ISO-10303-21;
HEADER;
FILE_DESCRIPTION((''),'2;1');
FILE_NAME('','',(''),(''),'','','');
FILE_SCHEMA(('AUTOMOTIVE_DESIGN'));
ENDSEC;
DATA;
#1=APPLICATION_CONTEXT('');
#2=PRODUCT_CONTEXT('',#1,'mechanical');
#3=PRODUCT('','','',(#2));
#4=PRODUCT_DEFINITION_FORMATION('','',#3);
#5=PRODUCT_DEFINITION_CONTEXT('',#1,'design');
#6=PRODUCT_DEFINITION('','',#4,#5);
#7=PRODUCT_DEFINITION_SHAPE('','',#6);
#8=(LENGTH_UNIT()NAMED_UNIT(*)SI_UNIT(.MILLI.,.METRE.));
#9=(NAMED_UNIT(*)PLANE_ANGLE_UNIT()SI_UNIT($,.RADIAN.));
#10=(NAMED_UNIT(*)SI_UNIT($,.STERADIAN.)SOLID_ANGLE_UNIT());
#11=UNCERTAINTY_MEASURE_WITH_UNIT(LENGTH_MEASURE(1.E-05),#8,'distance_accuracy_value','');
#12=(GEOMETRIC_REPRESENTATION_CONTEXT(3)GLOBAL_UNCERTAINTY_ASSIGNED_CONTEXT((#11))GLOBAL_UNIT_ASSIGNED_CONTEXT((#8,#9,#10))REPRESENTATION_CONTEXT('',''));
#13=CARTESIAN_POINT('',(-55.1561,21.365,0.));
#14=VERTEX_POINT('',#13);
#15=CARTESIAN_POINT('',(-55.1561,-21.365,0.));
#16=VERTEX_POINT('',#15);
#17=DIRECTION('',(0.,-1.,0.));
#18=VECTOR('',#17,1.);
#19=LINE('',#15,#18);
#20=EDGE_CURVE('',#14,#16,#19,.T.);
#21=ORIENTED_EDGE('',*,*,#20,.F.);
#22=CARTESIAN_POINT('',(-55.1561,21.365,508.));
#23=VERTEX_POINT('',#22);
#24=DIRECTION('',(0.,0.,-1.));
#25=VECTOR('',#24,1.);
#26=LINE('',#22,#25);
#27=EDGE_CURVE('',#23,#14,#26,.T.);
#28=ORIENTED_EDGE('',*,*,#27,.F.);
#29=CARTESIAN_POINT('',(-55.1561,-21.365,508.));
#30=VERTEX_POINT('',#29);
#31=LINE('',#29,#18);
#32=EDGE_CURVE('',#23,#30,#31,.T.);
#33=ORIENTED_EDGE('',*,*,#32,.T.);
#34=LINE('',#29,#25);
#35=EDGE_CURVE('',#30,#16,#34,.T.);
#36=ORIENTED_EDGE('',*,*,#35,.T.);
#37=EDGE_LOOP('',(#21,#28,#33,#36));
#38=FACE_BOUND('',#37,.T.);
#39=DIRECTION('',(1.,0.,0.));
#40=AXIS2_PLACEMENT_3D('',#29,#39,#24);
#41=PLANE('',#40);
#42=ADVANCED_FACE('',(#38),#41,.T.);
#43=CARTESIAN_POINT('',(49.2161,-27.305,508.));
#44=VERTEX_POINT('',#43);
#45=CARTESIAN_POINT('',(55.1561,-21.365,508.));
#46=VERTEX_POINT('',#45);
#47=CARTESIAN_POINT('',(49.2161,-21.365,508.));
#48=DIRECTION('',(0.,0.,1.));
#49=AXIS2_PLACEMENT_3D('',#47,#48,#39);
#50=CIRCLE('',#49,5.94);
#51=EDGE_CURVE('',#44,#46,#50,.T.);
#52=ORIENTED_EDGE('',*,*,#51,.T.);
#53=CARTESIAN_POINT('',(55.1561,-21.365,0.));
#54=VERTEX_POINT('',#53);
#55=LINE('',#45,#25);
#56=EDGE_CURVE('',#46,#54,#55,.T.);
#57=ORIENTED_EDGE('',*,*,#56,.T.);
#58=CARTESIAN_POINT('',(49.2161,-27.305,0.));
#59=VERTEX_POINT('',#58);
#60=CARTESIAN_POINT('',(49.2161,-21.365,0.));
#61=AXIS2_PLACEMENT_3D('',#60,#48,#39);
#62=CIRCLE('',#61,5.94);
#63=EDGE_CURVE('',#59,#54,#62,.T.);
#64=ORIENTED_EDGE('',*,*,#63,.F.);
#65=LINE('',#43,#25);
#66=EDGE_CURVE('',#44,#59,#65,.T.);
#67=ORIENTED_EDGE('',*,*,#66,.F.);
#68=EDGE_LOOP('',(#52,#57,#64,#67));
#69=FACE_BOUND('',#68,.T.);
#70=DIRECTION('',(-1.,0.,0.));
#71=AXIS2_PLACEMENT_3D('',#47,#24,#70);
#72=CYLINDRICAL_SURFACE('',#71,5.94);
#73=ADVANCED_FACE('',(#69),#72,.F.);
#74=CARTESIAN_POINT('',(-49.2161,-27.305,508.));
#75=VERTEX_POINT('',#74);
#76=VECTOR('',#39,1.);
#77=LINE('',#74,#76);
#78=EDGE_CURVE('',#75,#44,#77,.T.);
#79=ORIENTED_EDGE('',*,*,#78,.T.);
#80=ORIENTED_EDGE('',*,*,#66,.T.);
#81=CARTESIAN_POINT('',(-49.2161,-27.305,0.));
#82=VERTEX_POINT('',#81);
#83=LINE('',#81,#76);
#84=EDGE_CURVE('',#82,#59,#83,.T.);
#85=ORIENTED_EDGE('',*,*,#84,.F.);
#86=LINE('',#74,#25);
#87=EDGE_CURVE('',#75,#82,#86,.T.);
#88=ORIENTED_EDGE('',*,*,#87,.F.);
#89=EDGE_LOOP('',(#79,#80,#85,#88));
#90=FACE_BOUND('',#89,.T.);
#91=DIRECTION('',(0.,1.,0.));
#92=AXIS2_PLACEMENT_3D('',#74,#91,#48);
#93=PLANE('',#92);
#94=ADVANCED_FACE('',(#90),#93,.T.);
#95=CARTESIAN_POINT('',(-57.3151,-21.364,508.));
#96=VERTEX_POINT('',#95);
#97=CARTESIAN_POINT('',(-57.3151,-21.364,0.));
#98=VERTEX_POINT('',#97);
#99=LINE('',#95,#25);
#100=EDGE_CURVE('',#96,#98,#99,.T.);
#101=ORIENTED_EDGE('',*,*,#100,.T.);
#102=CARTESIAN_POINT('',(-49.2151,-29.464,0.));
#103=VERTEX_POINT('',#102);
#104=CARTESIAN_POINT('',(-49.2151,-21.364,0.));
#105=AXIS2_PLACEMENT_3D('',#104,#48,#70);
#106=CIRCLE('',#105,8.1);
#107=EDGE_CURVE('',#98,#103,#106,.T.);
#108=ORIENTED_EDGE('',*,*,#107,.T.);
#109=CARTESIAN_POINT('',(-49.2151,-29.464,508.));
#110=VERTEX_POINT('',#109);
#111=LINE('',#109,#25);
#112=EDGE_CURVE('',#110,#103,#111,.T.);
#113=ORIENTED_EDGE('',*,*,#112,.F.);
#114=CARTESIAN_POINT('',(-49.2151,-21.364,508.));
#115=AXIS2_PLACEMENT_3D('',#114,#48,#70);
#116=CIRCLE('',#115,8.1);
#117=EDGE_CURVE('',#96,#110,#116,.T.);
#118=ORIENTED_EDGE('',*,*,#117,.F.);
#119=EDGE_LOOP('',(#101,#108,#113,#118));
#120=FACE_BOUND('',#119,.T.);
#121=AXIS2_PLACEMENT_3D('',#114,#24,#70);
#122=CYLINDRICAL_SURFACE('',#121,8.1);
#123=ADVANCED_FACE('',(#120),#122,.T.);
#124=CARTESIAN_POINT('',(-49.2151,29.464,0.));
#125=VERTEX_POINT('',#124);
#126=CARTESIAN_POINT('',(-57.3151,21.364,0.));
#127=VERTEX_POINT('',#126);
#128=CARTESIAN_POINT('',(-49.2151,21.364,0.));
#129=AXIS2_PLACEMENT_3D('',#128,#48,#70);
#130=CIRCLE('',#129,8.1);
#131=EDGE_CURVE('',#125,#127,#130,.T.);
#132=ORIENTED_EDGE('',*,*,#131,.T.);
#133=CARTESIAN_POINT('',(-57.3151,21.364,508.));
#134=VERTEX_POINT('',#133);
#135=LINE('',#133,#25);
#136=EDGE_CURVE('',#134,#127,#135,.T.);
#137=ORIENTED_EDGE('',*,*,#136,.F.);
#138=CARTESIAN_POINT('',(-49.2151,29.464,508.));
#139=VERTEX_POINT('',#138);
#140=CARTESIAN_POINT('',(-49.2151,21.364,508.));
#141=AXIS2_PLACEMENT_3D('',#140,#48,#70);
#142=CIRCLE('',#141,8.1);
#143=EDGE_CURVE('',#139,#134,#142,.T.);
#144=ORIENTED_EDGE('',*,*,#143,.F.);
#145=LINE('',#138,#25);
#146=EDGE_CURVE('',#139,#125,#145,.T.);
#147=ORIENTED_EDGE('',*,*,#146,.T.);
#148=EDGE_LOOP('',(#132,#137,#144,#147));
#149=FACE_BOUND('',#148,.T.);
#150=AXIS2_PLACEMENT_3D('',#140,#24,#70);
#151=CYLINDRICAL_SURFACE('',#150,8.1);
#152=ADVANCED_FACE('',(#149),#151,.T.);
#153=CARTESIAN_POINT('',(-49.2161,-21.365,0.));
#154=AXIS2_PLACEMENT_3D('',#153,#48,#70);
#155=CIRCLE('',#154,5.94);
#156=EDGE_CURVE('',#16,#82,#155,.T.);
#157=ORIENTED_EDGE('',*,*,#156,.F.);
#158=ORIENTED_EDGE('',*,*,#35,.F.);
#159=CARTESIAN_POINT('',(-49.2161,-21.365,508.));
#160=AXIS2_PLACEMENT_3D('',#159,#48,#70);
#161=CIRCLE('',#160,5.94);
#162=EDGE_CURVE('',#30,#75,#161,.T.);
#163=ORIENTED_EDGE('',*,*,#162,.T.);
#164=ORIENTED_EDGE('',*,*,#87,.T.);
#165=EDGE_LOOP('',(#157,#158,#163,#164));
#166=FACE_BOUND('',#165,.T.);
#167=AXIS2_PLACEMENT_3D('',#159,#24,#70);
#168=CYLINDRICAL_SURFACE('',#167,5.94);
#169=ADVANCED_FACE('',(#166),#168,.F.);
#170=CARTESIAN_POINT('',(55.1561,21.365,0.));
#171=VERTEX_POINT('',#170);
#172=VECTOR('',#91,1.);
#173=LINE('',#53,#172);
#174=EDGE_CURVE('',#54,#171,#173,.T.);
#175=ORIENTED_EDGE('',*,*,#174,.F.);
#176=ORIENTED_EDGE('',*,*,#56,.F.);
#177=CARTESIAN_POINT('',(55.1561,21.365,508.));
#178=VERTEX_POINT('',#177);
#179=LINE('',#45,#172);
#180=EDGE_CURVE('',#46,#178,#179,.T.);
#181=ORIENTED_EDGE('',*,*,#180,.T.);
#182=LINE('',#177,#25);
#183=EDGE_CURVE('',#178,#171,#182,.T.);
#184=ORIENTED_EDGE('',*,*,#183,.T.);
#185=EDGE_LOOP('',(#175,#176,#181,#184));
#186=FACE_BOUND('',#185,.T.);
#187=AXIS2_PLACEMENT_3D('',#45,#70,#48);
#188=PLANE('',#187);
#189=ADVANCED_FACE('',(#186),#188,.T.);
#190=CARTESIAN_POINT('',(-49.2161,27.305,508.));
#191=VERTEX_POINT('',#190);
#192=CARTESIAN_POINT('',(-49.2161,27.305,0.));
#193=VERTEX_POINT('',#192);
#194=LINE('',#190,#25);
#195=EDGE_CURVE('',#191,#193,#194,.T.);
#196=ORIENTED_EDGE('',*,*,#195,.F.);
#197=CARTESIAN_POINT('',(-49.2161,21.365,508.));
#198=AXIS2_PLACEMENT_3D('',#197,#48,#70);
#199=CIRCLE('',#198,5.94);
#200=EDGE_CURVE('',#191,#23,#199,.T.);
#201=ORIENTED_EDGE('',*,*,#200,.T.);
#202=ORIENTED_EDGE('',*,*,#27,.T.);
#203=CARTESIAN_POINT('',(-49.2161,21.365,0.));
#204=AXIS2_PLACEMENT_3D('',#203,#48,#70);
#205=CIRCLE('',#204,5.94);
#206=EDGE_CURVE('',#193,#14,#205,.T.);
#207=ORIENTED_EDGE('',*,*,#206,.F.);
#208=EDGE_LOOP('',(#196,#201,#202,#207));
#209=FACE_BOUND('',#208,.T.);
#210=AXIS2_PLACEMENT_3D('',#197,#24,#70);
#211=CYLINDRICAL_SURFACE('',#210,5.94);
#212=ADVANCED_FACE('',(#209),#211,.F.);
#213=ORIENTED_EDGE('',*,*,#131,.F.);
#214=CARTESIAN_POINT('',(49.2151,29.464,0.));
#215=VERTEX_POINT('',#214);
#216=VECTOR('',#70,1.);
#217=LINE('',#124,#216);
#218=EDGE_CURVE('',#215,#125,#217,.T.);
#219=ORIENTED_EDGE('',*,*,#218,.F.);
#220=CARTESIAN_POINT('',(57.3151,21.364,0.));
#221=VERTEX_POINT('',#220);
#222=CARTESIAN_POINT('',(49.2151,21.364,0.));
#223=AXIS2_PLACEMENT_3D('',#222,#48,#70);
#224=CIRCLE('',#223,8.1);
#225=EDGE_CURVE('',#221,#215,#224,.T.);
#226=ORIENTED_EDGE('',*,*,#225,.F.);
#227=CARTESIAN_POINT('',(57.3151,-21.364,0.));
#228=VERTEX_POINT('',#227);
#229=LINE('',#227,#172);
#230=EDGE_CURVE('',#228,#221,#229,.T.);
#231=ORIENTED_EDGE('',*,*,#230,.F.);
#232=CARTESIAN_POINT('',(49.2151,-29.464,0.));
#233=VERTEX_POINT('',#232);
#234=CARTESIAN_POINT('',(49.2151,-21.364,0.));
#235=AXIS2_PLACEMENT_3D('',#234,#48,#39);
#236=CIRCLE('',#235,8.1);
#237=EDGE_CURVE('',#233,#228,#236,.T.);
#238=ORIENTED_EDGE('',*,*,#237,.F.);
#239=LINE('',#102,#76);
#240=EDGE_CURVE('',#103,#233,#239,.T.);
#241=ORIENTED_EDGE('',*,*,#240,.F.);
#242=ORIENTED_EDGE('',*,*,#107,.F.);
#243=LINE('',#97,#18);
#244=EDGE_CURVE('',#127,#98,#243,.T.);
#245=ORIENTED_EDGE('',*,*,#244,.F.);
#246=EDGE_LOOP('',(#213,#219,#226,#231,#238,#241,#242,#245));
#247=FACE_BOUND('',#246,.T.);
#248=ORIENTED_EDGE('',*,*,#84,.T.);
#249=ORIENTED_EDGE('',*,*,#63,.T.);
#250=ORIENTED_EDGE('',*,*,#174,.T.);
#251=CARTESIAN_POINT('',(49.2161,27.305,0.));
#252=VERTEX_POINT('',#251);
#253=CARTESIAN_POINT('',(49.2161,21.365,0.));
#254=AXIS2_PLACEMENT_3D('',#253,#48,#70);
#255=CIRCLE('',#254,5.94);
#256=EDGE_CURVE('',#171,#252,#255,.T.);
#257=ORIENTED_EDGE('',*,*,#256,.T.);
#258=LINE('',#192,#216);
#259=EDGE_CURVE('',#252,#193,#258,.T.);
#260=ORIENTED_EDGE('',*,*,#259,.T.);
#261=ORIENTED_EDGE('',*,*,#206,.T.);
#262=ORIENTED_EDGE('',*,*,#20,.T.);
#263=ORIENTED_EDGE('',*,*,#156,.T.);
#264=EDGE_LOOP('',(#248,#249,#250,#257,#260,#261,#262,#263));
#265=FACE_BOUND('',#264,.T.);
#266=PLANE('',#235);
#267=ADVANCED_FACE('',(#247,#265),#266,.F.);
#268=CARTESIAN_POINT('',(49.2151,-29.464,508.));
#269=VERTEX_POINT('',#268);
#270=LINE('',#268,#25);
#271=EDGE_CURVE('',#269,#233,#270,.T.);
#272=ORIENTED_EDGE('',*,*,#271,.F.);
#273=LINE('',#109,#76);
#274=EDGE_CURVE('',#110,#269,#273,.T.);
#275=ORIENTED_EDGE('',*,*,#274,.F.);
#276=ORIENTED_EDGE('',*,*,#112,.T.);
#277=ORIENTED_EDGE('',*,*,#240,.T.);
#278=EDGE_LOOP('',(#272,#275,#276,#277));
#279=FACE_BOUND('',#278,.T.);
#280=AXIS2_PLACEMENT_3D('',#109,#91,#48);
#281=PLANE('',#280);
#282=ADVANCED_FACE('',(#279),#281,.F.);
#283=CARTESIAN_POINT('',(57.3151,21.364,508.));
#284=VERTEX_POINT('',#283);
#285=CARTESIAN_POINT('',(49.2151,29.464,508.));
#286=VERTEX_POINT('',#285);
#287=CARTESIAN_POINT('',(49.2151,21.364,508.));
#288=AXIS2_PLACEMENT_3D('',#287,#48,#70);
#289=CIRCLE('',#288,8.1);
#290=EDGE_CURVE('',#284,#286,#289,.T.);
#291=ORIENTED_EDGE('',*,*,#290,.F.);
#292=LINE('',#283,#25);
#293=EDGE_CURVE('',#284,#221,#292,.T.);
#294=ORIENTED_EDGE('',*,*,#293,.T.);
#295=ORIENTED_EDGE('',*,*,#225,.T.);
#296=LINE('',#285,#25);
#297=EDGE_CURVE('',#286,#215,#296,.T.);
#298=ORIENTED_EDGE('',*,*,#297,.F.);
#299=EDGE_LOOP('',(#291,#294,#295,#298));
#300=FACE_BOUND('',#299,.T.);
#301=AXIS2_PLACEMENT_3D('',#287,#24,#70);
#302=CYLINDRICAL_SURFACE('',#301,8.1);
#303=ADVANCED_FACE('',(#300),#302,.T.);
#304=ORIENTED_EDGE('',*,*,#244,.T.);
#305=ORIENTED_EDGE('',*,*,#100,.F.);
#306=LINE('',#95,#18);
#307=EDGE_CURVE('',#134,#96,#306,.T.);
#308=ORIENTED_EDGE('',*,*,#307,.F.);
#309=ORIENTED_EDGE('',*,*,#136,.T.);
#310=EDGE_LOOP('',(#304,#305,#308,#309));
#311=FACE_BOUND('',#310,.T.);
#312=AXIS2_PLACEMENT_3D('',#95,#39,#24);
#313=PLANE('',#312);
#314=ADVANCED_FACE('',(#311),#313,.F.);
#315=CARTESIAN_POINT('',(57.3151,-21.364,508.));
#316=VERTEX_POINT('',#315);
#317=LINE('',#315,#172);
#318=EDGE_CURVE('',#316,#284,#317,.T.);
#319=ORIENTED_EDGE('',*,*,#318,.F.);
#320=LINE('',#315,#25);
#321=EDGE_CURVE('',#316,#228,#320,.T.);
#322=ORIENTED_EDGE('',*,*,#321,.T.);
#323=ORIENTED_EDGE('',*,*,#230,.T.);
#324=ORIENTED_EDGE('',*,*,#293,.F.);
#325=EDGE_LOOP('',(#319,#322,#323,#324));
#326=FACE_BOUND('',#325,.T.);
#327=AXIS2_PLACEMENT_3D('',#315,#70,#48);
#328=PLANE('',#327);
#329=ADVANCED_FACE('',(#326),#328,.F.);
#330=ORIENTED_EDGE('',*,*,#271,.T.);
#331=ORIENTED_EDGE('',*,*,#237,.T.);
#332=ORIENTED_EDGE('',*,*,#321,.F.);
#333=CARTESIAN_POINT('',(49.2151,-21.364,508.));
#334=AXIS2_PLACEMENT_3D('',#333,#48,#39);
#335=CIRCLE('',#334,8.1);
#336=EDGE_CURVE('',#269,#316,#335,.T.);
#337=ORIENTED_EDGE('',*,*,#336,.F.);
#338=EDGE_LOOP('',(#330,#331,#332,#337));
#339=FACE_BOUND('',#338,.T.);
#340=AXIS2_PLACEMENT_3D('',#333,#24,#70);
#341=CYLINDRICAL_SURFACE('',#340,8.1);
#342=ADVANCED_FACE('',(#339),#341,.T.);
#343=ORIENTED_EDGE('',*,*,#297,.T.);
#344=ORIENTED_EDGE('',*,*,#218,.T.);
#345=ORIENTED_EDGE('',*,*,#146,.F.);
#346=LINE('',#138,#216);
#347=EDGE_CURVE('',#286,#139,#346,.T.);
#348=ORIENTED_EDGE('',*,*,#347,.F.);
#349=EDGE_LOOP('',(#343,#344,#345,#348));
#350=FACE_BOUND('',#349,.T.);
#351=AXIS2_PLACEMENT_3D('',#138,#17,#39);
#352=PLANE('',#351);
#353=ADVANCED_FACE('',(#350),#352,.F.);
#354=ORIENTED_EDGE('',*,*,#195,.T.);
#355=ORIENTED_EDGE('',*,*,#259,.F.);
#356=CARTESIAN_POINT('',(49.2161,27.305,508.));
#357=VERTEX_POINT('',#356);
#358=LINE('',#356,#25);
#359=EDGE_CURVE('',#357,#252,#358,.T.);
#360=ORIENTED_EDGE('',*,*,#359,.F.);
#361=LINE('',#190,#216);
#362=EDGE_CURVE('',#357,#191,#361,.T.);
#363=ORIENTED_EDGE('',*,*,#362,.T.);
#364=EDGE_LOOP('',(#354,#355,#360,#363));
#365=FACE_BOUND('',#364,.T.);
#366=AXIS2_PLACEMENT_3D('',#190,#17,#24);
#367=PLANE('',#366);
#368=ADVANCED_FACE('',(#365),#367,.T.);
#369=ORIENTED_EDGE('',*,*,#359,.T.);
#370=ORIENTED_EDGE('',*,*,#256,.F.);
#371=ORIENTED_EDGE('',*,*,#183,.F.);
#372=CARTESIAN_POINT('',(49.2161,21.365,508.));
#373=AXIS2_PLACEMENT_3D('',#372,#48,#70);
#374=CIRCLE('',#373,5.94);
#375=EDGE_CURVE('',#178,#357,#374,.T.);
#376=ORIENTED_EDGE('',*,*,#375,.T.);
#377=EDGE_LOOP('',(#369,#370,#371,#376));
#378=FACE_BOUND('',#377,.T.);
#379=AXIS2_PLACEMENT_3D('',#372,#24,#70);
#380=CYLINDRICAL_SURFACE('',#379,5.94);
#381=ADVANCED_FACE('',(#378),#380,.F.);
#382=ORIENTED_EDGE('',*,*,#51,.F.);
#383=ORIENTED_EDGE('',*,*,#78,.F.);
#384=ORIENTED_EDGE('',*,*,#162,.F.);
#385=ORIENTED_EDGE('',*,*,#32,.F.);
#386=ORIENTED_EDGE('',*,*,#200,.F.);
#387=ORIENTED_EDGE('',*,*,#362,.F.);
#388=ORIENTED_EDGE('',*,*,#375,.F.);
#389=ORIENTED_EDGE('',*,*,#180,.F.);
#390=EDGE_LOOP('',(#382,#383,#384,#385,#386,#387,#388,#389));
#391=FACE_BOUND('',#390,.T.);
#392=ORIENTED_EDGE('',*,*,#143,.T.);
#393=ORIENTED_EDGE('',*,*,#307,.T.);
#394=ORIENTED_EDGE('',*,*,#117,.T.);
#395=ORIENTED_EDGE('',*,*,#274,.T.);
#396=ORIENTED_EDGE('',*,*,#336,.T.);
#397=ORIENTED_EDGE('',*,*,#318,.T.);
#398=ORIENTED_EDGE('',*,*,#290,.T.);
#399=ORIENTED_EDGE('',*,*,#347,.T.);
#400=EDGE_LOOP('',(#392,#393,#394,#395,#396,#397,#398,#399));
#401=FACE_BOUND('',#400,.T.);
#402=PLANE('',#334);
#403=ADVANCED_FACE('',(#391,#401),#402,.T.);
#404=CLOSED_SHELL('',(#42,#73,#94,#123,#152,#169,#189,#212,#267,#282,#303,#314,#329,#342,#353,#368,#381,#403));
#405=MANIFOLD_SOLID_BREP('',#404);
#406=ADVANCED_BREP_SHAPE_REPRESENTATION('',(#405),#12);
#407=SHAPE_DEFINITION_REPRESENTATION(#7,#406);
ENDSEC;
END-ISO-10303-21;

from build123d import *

# Parameters (mm, degrees)
BOSS_EXTRUDE1_DEPTH = 508


with BuildPart() as part:
    # Sketch1 → Boss-Extrude1 (new body)
    with BuildSketch(Plane.XY):
        with BuildLine():
            Line((-49.2151, -29.464), (49.2151, -29.464))
            ThreePointArc((49.2151, -29.464), (54.942664928, -27.091564928), (57.3151, -21.364))
            Line((57.3151, -21.364), (57.3151, 21.364))
            ThreePointArc((57.3151, 21.364), (54.942664928, 27.091564928), (49.2151, 29.464))
            Line((49.2151, 29.464), (-49.2151, 29.464))
            ThreePointArc((-49.2151, 29.464), (-54.942664928, 27.091564928), (-57.3151, 21.364))
            Line((-57.3151, 21.364), (-57.3151, -21.364))
            ThreePointArc((-57.3151, -21.364), (-54.942664928, -27.091564928), (-49.2151, -29.464))
        make_face()
        with BuildLine():
            Line((-49.2161, -27.305), (49.2161, -27.305))
            ThreePointArc((49.2161, -27.305), (53.41631428, -25.56521428), (55.1561, -21.365))
            Line((55.1561, -21.365), (55.1561, 21.365))
            ThreePointArc((55.1561, 21.365), (53.41631428, 25.56521428), (49.2161, 27.305))
            Line((49.2161, 27.305), (-49.2161, 27.305))
            ThreePointArc((-49.2161, 27.305), (-53.41631428, 25.56521428), (-55.1561, 21.365))
            Line((-55.1561, 21.365), (-55.1561, -21.365))
            ThreePointArc((-55.1561, -21.365), (-53.41631428, -25.56521428), (-49.2161, -27.305))
        make_face(mode=Mode.SUBTRACT)
    extrude(amount=BOSS_EXTRUDE1_DEPTH)


solid = part.part
